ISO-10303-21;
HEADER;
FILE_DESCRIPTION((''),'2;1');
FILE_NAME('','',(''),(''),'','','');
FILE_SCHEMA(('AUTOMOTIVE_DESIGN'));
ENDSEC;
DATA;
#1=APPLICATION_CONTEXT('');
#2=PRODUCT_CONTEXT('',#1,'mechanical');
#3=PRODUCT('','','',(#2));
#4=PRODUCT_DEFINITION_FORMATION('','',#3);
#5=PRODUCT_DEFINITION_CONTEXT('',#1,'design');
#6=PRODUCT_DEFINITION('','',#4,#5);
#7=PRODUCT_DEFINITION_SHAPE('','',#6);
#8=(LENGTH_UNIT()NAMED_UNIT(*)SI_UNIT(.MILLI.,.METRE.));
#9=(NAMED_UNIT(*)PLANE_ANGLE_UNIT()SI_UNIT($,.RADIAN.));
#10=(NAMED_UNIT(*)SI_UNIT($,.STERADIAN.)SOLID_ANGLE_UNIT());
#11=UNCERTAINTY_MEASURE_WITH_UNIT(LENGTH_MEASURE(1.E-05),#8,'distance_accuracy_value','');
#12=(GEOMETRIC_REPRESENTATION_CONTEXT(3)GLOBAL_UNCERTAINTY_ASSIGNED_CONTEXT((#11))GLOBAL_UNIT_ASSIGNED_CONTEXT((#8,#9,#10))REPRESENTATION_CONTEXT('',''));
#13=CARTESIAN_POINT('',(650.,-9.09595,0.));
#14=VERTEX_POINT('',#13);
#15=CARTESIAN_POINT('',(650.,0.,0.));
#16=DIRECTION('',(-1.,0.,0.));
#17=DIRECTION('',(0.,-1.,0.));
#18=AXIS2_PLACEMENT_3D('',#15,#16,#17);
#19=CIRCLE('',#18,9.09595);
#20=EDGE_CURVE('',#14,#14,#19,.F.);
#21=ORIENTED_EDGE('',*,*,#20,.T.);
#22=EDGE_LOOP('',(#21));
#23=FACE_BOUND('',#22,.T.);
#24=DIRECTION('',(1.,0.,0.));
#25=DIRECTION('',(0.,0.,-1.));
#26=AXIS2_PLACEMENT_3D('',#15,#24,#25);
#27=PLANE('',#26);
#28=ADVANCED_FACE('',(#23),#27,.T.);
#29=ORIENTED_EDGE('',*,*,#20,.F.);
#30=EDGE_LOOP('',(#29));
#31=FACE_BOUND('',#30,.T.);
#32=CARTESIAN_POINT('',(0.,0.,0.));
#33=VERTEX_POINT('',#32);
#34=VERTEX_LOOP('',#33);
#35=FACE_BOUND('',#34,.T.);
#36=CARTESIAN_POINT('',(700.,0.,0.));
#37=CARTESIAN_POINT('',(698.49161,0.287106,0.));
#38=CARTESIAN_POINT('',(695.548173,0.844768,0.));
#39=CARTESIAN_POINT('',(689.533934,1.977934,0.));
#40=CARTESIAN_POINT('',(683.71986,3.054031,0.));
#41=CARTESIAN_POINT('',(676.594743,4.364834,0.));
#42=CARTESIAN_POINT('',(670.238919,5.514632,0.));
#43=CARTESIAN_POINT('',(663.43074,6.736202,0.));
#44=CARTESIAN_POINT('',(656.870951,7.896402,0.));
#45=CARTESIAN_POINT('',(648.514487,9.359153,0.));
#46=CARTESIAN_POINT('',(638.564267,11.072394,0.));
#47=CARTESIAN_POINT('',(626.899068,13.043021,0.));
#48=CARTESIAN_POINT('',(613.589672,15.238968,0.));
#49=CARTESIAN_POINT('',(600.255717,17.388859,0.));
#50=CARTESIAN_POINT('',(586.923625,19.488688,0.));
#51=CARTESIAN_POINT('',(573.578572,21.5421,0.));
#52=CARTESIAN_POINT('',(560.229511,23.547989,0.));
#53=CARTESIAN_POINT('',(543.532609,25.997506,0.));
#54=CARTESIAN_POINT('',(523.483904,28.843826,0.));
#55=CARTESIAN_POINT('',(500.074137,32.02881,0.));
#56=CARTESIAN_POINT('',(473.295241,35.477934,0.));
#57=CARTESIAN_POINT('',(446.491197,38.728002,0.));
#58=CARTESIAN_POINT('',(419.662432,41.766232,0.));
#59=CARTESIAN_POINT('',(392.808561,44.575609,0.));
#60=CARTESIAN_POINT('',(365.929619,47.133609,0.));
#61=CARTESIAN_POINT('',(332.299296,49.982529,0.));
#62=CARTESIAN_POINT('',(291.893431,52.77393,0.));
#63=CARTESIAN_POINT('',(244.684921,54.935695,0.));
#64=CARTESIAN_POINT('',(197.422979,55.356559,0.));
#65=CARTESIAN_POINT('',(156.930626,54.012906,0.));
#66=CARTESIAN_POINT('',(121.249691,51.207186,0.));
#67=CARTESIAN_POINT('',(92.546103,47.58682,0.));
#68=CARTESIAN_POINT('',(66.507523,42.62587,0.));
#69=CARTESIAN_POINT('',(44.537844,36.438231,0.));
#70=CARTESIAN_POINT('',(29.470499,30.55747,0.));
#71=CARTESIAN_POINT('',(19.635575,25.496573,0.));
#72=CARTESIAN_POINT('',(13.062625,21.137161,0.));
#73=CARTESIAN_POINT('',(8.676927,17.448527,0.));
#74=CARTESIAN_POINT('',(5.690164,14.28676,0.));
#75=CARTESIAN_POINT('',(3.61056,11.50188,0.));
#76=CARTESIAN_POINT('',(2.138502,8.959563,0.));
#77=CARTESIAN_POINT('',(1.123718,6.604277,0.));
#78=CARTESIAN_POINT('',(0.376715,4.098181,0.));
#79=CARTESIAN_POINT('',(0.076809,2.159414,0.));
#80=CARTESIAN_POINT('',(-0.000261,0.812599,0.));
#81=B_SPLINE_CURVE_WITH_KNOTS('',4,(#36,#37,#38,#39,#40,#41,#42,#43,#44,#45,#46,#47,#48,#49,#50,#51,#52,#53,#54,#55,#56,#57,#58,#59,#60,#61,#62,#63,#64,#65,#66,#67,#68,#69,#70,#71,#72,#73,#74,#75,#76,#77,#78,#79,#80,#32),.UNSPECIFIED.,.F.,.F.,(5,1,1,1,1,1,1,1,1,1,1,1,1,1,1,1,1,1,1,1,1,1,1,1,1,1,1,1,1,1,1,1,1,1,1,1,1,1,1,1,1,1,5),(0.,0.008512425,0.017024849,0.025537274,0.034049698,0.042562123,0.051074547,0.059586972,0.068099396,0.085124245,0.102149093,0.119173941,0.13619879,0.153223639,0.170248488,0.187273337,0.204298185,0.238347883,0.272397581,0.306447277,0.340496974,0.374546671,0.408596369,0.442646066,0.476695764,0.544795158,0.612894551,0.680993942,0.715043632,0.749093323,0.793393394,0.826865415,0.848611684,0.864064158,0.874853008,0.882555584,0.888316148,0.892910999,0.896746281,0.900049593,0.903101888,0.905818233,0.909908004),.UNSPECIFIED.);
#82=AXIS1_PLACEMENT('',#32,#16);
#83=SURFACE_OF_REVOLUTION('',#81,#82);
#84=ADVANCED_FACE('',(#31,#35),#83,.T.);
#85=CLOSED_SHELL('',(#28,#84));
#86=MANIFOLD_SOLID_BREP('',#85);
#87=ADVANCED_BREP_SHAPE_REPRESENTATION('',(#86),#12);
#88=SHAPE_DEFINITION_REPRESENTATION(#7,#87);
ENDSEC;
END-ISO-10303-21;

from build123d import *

# Parameters (mm, degrees)
CUT_EXTRUDE1_START = 700
SKETCH5_R          = 55
CUT_EXTRUDE1_DEPTH = 50


with BuildPart() as part:
    # Sketch3 → Revolve1 (revolve)
    with BuildSketch(Plane.XY):
        with BuildLine():
            Line((0, 0), (700, 0))
            add(Edge.make_bspline(
                [(0, 0), (-0.000260822, 0.812598679), (0.0768092, 2.159414211), (0.376715029, 4.098181065), (1.123718167, 6.604276729), (2.138502348, 8.959562617), (3.610559705, 11.50188023), (5.690164051, 14.28676002), (8.676927237, 17.448527265), (13.06262492, 21.137160706), (19.635575261, 25.496572659), (29.470499091, 30.557470394), (44.537843587, 36.438230824), (66.507523387, 42.625870414), (92.546102756, 47.586819511), (121.249691163, 51.207185926), (156.930625872, 54.012905624), (197.4229785, 55.356558664), (244.684921451, 54.935695428), (291.893431334, 52.773929996), (332.299295573, 49.982529373), (365.929618682, 47.133609439), (392.808561015, 44.575609474), (419.662431959, 41.766232142), (446.491196854, 38.728002254), (473.295240639, 35.477934382), (500.074136678, 32.028809996), (523.483904056, 28.843826036), (543.532608643, 25.997506143), (560.229511217, 23.54798946), (573.578572291, 21.542099671), (586.923625352, 19.488688155), (600.255716727, 17.388859228), (613.589671532, 15.238968456), (626.89906753, 13.04302131), (638.564267484, 11.072393618), (648.514486611, 9.359153021), (656.870951289, 7.896402098), (663.430739751, 6.736201721), (670.238919, 5.514631525), (676.5947433, 4.364833522), (683.719860131, 3.054031138), (689.533934487, 1.97793371), (695.548172643, 0.844768017), (698.491610118, 0.287105853), (700, 0)],
                knots=[0, 0, 0, 0, 0, 0.004089771, 0.006806116, 0.009858411, 0.013161723, 0.016997005, 0.021591856, 0.02735242, 0.035054996, 0.045843846, 0.06129632, 0.083042589, 0.11651461, 0.160814682, 0.194864372, 0.228914062, 0.297013453, 0.365112846, 0.43321224, 0.467261938, 0.501311635, 0.535361333, 0.56941103, 0.603460727, 0.637510423, 0.671560121, 0.705609819, 0.722634668, 0.739659517, 0.756684365, 0.773709214, 0.790734063, 0.807758911, 0.824783759, 0.841808608, 0.850321032, 0.858833457, 0.867345881, 0.875858306, 0.884370731, 0.892883155, 0.90139558, 0.909908004, 0.909908004, 0.909908004, 0.909908004, 0.909908004], degree=4))
        make_face()
    revolve(axis=Axis((0, 0, 0), (1, 0, 0)))

    # Sketch5 → Cut-Extrude1 (cut)
    with BuildSketch(Plane(origin=(0, 0, 0), x_dir=(0, 0, -1), z_dir=(1, 0, 0)).offset(CUT_EXTRUDE1_START)):
        Circle(SKETCH5_R)
    extrude(amount=-CUT_EXTRUDE1_DEPTH, mode=Mode.SUBTRACT)


solid = part.part
